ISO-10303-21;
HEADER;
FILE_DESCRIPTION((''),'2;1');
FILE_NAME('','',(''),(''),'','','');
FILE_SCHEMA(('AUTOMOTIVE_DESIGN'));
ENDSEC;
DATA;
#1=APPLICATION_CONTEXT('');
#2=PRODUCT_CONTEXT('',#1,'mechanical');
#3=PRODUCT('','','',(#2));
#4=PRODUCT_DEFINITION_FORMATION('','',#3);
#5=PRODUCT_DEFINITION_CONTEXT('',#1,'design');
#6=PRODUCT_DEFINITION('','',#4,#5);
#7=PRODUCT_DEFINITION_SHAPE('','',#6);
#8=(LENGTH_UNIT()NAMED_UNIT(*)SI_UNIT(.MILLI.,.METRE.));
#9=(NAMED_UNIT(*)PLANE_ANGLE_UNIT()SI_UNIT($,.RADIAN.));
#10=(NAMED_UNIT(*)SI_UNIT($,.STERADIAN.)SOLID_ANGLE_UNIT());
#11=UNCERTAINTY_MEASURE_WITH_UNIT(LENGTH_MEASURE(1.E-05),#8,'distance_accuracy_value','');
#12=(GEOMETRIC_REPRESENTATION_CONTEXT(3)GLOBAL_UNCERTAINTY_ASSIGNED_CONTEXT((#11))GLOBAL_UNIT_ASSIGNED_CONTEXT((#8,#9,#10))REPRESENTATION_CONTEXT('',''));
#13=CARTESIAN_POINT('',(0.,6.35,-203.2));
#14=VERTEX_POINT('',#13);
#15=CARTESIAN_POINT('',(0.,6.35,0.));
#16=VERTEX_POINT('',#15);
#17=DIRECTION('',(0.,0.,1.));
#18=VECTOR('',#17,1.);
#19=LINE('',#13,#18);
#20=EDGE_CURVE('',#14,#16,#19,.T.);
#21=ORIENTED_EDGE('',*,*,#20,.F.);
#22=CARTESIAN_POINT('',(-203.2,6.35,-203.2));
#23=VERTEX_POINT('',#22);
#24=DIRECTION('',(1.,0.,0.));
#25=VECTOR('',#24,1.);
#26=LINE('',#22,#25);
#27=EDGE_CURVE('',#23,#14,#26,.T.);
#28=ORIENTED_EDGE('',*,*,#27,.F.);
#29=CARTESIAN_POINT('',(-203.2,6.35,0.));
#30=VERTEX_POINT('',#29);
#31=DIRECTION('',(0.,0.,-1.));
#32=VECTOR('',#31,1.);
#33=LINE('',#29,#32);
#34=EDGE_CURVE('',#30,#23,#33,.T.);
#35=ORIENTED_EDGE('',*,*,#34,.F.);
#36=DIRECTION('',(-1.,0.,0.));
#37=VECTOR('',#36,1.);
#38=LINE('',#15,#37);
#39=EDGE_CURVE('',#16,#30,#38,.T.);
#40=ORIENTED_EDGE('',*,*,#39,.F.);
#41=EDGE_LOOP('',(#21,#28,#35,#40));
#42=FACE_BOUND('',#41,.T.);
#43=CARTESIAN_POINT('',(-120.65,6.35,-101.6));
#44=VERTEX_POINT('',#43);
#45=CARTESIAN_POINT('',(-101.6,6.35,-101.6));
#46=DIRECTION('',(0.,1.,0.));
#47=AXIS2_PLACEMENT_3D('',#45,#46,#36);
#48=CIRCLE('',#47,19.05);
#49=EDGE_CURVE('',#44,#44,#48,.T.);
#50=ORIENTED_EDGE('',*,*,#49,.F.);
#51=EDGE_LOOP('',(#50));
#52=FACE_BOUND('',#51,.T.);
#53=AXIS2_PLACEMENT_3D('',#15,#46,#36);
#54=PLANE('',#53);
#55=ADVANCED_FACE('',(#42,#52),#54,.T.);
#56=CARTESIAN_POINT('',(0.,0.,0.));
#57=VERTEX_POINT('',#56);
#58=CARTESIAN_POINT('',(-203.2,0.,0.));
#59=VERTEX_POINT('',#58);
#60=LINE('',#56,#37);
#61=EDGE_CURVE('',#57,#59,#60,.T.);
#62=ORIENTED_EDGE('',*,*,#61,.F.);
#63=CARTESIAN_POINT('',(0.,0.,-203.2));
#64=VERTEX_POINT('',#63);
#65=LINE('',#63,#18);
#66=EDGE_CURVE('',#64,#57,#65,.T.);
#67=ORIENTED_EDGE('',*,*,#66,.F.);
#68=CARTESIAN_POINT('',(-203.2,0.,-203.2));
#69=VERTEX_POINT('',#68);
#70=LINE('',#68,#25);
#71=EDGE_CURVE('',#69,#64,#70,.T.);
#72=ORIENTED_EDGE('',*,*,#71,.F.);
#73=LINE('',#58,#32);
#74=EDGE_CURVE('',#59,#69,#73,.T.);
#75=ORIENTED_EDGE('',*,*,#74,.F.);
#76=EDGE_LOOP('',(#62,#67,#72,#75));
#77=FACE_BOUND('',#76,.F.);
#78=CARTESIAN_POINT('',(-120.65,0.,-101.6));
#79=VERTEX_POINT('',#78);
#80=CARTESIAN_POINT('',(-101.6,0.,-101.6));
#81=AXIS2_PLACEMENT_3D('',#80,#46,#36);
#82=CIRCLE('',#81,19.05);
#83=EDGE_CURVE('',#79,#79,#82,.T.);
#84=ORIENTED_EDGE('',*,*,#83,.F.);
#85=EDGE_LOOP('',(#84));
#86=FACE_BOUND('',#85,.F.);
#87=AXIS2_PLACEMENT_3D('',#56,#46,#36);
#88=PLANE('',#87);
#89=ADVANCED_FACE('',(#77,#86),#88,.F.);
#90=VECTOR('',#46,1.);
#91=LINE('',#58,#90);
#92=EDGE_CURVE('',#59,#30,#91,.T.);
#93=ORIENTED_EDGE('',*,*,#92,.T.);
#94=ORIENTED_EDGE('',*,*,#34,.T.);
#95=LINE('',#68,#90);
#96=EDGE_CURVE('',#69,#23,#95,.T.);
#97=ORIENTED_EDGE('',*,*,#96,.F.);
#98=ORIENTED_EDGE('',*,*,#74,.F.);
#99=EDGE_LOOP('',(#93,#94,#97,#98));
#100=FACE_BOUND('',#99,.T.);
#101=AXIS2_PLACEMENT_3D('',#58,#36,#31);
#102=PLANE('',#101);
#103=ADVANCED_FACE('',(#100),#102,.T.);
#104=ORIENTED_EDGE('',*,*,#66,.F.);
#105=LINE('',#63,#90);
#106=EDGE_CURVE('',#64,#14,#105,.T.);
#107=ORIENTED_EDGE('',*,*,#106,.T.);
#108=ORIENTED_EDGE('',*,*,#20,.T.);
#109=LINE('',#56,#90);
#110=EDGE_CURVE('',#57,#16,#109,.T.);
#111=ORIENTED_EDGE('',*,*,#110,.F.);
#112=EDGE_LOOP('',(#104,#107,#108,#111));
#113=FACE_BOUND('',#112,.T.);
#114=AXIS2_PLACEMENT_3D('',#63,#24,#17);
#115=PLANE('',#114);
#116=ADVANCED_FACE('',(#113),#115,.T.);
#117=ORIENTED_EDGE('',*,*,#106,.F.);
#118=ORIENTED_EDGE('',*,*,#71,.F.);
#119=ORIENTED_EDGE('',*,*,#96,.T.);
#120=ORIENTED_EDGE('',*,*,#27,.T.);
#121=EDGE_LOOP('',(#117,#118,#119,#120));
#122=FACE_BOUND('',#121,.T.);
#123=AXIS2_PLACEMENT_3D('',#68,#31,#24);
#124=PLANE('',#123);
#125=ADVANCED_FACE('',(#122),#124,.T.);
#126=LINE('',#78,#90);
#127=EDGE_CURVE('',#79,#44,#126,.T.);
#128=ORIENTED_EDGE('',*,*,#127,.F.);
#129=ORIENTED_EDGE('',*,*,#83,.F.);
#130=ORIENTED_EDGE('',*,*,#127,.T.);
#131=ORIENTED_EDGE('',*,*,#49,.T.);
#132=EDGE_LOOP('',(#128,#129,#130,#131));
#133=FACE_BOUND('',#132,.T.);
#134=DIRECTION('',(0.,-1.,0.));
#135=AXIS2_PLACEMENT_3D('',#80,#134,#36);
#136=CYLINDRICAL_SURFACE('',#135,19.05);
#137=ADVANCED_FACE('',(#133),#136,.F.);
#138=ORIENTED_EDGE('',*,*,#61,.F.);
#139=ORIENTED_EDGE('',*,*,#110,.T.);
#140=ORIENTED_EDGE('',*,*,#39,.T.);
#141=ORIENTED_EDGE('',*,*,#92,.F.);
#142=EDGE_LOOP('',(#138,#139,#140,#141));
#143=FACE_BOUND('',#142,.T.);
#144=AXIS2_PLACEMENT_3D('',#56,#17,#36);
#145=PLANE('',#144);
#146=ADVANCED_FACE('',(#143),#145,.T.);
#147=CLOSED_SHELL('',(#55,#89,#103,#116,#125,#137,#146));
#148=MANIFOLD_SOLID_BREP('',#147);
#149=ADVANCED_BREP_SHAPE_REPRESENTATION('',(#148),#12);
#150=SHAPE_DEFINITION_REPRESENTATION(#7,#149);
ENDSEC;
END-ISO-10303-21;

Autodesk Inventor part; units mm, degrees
ref_plane "YZ Plane" through (0, 0, 0) normal (1, 0, 0) x (0, 1, 0)
ref_plane "XZ Plane" through (0, 0, 0) normal (0, 1, 0) x (-1, 0, 0)
ref_plane "XY Plane" through (0, 0, 0) normal (0, 0, 1) x (1, 0, 0)
sketch "Sketch1" plane through (0, 0, 0) normal (0, 1, 0) x (-1, 0, 0)
  line L0 (0, 0) -> (203.2, 0)
  line L1 (203.2, 0) -> (203.2, -203.2)
  line L2 (203.2, -203.2) -> (0, -203.2)
  line L3 (0, -203.2) -> (0, 0)
  circle A0 centre (101.6, -101.6) radius 19.05
  dimension "d0" = 203.2
  dimension "d1" = 203.2
  dimension "d4" = 38.1
  dimension "d5" = 101.6
  dimension "d6" = 101.6
extrude "Extrusion1" add sketch "Sketch1" along normal blind 6.35
properties part number "Plate8inx8in"
